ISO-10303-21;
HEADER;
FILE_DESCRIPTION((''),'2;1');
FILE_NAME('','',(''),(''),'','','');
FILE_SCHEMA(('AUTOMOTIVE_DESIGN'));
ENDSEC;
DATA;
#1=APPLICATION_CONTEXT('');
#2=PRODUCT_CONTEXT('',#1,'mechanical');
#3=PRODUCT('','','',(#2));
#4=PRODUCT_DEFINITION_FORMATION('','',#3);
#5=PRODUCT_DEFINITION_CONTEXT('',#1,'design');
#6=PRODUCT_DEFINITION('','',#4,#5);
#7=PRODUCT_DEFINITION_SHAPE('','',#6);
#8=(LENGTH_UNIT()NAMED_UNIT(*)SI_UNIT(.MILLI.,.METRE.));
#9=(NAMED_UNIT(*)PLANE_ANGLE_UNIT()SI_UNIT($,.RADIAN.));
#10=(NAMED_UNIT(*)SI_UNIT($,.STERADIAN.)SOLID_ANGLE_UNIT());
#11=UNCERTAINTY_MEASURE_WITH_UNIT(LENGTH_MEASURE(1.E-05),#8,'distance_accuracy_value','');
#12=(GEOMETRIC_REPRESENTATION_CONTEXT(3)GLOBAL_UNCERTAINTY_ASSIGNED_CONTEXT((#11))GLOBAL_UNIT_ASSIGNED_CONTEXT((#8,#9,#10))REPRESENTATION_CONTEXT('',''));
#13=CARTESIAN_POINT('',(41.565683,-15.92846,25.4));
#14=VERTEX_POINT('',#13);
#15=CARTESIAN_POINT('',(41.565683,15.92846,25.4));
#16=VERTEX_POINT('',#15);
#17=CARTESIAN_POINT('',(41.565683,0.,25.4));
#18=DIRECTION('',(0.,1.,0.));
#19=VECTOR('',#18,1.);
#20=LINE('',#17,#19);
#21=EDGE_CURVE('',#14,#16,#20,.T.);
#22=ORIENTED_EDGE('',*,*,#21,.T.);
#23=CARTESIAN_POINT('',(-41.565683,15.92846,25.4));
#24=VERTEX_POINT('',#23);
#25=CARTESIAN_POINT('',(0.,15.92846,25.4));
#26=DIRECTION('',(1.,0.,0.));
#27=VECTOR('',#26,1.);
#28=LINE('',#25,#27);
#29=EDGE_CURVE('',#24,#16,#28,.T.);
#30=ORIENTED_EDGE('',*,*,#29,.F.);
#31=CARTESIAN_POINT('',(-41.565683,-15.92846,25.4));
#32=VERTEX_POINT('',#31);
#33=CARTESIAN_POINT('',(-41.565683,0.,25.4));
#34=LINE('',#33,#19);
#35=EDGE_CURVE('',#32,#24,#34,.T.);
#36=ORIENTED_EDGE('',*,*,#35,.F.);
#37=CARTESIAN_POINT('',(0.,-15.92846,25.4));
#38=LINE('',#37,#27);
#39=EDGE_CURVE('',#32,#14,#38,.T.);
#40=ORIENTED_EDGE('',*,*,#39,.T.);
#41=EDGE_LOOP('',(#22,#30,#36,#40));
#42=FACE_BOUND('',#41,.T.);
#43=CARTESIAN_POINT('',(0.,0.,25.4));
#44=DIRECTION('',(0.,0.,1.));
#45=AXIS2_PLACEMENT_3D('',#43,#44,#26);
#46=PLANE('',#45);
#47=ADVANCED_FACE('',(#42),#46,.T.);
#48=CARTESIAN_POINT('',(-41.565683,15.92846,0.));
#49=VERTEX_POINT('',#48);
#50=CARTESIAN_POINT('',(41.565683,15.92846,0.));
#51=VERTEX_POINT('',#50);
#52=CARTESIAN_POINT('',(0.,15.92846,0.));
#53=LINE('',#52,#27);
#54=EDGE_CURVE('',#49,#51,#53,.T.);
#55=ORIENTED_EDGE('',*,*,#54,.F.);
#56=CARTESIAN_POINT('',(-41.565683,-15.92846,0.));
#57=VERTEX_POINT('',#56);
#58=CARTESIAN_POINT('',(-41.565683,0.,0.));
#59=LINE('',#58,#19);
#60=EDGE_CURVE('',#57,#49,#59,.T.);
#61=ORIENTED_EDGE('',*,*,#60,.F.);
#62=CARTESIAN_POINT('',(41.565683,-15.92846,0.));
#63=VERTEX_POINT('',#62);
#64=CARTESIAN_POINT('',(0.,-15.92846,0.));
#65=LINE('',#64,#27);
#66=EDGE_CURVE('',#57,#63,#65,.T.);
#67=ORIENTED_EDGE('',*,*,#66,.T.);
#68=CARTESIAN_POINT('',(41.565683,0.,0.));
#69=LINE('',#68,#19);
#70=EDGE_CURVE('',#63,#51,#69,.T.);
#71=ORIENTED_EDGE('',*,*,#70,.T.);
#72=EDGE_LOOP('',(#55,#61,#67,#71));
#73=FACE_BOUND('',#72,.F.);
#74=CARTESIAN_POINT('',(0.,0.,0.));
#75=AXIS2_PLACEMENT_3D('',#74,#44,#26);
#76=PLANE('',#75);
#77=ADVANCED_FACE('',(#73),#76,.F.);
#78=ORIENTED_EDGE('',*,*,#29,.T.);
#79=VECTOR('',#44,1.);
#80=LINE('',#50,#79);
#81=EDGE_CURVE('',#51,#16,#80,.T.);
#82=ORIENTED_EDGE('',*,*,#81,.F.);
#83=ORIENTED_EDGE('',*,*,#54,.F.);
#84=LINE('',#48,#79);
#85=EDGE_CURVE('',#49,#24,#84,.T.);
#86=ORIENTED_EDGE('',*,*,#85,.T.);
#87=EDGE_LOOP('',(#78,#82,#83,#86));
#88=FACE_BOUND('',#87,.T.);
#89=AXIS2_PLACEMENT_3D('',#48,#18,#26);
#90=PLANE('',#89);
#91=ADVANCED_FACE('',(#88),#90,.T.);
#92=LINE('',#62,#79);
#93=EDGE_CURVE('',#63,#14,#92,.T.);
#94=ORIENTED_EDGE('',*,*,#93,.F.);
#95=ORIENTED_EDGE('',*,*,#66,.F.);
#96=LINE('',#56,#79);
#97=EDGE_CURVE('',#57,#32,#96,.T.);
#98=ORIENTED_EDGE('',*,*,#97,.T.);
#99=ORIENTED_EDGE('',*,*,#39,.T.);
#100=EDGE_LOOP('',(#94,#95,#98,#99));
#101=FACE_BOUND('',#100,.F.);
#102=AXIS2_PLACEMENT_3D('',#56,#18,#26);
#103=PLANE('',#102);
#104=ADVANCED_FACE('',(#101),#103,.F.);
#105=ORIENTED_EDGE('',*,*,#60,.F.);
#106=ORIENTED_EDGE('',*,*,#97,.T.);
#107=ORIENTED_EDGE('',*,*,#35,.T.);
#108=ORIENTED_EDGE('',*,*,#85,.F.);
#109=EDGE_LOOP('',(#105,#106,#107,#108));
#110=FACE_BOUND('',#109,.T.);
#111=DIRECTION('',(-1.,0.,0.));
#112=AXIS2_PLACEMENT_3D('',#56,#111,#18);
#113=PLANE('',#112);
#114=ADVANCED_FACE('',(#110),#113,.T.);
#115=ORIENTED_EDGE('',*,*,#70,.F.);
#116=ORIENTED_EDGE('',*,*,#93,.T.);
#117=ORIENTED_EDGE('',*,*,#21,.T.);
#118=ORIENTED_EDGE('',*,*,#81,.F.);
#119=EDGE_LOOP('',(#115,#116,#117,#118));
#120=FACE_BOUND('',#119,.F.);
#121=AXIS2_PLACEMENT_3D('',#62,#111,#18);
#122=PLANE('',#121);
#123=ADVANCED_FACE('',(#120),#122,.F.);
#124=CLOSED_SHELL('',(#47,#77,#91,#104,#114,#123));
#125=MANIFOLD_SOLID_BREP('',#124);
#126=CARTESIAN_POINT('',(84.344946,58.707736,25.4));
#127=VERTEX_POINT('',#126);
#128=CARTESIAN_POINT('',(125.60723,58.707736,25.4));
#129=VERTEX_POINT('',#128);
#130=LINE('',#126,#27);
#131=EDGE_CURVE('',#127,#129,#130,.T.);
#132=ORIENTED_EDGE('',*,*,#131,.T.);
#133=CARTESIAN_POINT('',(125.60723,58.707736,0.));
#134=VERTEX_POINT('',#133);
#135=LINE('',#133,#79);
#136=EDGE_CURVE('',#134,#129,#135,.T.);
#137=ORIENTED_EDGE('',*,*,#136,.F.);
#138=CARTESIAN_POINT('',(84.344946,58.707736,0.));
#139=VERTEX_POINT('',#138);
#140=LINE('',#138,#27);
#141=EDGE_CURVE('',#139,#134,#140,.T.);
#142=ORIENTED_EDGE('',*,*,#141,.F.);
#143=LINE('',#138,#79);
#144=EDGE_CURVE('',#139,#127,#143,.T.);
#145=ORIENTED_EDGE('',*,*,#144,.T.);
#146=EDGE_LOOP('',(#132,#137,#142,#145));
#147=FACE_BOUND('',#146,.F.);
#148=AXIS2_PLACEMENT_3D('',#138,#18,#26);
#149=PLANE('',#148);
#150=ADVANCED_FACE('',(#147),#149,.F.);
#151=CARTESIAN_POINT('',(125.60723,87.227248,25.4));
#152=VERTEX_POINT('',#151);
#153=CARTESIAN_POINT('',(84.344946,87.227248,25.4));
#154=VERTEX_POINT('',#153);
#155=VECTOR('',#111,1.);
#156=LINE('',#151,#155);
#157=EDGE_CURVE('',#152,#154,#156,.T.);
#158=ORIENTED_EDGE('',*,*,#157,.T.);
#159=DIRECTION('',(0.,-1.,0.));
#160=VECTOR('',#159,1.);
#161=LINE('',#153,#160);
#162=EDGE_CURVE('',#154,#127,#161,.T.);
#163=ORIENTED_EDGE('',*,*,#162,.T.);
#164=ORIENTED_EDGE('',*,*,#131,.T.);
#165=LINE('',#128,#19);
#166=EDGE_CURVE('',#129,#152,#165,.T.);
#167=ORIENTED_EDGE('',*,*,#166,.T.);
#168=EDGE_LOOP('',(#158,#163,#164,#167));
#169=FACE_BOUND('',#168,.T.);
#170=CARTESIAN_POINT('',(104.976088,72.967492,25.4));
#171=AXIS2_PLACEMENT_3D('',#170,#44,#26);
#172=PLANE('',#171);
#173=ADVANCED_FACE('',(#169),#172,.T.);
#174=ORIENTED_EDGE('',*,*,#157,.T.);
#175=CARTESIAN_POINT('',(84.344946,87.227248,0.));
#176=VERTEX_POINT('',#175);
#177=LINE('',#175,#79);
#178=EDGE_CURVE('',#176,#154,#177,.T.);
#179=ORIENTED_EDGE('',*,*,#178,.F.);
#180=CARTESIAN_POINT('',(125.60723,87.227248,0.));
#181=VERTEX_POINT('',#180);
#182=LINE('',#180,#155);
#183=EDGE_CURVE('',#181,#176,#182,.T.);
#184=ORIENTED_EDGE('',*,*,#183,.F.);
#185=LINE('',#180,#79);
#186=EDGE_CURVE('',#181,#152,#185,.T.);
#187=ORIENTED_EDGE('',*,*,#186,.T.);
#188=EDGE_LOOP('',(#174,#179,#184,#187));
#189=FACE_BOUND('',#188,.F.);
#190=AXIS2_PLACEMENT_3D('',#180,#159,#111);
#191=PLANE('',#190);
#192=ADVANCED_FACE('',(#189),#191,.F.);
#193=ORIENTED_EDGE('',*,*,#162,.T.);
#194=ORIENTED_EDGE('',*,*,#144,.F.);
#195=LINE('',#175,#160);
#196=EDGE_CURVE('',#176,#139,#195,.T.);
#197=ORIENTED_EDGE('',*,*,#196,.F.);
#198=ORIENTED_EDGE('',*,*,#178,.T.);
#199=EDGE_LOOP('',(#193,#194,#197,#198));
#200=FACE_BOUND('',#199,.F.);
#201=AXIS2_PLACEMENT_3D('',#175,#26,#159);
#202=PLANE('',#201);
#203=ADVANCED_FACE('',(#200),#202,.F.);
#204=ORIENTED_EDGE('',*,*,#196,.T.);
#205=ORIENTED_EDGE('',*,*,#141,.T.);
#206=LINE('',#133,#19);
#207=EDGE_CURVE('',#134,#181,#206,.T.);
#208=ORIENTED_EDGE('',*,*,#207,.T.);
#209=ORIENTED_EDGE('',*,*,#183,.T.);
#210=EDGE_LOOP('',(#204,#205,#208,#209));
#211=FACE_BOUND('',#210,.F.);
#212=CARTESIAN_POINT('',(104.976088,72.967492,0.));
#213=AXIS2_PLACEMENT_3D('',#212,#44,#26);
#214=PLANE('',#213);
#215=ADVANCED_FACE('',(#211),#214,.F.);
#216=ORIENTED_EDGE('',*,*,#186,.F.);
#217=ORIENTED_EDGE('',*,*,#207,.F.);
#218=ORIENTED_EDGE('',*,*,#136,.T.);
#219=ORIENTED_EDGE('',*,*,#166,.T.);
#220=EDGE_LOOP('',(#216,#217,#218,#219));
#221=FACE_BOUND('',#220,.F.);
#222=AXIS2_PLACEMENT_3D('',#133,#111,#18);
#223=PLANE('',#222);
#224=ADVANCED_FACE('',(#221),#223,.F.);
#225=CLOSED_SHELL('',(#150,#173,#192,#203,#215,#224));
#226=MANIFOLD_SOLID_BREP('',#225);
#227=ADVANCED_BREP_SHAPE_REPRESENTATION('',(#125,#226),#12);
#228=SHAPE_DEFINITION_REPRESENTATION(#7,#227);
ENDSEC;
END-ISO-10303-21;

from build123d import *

# Parameters (mm, degrees)
F0_W     = 83.131366
F0_H     = 31.85692
F1_DEPTH = 25.4


with BuildPart() as f1:
    # F0 (on Top) → F1 (new body)
    with BuildSketch(Plane.XY):
        Polygon((84.344946, 87.227248), (84.344946, 71.531192), (84.344946, 58.707736), (125.60723, 58.707736), (125.60723, 87.227248), align=None)
        Rectangle(F0_W, F0_H)
    extrude(amount=F1_DEPTH)


solid = f1.part
